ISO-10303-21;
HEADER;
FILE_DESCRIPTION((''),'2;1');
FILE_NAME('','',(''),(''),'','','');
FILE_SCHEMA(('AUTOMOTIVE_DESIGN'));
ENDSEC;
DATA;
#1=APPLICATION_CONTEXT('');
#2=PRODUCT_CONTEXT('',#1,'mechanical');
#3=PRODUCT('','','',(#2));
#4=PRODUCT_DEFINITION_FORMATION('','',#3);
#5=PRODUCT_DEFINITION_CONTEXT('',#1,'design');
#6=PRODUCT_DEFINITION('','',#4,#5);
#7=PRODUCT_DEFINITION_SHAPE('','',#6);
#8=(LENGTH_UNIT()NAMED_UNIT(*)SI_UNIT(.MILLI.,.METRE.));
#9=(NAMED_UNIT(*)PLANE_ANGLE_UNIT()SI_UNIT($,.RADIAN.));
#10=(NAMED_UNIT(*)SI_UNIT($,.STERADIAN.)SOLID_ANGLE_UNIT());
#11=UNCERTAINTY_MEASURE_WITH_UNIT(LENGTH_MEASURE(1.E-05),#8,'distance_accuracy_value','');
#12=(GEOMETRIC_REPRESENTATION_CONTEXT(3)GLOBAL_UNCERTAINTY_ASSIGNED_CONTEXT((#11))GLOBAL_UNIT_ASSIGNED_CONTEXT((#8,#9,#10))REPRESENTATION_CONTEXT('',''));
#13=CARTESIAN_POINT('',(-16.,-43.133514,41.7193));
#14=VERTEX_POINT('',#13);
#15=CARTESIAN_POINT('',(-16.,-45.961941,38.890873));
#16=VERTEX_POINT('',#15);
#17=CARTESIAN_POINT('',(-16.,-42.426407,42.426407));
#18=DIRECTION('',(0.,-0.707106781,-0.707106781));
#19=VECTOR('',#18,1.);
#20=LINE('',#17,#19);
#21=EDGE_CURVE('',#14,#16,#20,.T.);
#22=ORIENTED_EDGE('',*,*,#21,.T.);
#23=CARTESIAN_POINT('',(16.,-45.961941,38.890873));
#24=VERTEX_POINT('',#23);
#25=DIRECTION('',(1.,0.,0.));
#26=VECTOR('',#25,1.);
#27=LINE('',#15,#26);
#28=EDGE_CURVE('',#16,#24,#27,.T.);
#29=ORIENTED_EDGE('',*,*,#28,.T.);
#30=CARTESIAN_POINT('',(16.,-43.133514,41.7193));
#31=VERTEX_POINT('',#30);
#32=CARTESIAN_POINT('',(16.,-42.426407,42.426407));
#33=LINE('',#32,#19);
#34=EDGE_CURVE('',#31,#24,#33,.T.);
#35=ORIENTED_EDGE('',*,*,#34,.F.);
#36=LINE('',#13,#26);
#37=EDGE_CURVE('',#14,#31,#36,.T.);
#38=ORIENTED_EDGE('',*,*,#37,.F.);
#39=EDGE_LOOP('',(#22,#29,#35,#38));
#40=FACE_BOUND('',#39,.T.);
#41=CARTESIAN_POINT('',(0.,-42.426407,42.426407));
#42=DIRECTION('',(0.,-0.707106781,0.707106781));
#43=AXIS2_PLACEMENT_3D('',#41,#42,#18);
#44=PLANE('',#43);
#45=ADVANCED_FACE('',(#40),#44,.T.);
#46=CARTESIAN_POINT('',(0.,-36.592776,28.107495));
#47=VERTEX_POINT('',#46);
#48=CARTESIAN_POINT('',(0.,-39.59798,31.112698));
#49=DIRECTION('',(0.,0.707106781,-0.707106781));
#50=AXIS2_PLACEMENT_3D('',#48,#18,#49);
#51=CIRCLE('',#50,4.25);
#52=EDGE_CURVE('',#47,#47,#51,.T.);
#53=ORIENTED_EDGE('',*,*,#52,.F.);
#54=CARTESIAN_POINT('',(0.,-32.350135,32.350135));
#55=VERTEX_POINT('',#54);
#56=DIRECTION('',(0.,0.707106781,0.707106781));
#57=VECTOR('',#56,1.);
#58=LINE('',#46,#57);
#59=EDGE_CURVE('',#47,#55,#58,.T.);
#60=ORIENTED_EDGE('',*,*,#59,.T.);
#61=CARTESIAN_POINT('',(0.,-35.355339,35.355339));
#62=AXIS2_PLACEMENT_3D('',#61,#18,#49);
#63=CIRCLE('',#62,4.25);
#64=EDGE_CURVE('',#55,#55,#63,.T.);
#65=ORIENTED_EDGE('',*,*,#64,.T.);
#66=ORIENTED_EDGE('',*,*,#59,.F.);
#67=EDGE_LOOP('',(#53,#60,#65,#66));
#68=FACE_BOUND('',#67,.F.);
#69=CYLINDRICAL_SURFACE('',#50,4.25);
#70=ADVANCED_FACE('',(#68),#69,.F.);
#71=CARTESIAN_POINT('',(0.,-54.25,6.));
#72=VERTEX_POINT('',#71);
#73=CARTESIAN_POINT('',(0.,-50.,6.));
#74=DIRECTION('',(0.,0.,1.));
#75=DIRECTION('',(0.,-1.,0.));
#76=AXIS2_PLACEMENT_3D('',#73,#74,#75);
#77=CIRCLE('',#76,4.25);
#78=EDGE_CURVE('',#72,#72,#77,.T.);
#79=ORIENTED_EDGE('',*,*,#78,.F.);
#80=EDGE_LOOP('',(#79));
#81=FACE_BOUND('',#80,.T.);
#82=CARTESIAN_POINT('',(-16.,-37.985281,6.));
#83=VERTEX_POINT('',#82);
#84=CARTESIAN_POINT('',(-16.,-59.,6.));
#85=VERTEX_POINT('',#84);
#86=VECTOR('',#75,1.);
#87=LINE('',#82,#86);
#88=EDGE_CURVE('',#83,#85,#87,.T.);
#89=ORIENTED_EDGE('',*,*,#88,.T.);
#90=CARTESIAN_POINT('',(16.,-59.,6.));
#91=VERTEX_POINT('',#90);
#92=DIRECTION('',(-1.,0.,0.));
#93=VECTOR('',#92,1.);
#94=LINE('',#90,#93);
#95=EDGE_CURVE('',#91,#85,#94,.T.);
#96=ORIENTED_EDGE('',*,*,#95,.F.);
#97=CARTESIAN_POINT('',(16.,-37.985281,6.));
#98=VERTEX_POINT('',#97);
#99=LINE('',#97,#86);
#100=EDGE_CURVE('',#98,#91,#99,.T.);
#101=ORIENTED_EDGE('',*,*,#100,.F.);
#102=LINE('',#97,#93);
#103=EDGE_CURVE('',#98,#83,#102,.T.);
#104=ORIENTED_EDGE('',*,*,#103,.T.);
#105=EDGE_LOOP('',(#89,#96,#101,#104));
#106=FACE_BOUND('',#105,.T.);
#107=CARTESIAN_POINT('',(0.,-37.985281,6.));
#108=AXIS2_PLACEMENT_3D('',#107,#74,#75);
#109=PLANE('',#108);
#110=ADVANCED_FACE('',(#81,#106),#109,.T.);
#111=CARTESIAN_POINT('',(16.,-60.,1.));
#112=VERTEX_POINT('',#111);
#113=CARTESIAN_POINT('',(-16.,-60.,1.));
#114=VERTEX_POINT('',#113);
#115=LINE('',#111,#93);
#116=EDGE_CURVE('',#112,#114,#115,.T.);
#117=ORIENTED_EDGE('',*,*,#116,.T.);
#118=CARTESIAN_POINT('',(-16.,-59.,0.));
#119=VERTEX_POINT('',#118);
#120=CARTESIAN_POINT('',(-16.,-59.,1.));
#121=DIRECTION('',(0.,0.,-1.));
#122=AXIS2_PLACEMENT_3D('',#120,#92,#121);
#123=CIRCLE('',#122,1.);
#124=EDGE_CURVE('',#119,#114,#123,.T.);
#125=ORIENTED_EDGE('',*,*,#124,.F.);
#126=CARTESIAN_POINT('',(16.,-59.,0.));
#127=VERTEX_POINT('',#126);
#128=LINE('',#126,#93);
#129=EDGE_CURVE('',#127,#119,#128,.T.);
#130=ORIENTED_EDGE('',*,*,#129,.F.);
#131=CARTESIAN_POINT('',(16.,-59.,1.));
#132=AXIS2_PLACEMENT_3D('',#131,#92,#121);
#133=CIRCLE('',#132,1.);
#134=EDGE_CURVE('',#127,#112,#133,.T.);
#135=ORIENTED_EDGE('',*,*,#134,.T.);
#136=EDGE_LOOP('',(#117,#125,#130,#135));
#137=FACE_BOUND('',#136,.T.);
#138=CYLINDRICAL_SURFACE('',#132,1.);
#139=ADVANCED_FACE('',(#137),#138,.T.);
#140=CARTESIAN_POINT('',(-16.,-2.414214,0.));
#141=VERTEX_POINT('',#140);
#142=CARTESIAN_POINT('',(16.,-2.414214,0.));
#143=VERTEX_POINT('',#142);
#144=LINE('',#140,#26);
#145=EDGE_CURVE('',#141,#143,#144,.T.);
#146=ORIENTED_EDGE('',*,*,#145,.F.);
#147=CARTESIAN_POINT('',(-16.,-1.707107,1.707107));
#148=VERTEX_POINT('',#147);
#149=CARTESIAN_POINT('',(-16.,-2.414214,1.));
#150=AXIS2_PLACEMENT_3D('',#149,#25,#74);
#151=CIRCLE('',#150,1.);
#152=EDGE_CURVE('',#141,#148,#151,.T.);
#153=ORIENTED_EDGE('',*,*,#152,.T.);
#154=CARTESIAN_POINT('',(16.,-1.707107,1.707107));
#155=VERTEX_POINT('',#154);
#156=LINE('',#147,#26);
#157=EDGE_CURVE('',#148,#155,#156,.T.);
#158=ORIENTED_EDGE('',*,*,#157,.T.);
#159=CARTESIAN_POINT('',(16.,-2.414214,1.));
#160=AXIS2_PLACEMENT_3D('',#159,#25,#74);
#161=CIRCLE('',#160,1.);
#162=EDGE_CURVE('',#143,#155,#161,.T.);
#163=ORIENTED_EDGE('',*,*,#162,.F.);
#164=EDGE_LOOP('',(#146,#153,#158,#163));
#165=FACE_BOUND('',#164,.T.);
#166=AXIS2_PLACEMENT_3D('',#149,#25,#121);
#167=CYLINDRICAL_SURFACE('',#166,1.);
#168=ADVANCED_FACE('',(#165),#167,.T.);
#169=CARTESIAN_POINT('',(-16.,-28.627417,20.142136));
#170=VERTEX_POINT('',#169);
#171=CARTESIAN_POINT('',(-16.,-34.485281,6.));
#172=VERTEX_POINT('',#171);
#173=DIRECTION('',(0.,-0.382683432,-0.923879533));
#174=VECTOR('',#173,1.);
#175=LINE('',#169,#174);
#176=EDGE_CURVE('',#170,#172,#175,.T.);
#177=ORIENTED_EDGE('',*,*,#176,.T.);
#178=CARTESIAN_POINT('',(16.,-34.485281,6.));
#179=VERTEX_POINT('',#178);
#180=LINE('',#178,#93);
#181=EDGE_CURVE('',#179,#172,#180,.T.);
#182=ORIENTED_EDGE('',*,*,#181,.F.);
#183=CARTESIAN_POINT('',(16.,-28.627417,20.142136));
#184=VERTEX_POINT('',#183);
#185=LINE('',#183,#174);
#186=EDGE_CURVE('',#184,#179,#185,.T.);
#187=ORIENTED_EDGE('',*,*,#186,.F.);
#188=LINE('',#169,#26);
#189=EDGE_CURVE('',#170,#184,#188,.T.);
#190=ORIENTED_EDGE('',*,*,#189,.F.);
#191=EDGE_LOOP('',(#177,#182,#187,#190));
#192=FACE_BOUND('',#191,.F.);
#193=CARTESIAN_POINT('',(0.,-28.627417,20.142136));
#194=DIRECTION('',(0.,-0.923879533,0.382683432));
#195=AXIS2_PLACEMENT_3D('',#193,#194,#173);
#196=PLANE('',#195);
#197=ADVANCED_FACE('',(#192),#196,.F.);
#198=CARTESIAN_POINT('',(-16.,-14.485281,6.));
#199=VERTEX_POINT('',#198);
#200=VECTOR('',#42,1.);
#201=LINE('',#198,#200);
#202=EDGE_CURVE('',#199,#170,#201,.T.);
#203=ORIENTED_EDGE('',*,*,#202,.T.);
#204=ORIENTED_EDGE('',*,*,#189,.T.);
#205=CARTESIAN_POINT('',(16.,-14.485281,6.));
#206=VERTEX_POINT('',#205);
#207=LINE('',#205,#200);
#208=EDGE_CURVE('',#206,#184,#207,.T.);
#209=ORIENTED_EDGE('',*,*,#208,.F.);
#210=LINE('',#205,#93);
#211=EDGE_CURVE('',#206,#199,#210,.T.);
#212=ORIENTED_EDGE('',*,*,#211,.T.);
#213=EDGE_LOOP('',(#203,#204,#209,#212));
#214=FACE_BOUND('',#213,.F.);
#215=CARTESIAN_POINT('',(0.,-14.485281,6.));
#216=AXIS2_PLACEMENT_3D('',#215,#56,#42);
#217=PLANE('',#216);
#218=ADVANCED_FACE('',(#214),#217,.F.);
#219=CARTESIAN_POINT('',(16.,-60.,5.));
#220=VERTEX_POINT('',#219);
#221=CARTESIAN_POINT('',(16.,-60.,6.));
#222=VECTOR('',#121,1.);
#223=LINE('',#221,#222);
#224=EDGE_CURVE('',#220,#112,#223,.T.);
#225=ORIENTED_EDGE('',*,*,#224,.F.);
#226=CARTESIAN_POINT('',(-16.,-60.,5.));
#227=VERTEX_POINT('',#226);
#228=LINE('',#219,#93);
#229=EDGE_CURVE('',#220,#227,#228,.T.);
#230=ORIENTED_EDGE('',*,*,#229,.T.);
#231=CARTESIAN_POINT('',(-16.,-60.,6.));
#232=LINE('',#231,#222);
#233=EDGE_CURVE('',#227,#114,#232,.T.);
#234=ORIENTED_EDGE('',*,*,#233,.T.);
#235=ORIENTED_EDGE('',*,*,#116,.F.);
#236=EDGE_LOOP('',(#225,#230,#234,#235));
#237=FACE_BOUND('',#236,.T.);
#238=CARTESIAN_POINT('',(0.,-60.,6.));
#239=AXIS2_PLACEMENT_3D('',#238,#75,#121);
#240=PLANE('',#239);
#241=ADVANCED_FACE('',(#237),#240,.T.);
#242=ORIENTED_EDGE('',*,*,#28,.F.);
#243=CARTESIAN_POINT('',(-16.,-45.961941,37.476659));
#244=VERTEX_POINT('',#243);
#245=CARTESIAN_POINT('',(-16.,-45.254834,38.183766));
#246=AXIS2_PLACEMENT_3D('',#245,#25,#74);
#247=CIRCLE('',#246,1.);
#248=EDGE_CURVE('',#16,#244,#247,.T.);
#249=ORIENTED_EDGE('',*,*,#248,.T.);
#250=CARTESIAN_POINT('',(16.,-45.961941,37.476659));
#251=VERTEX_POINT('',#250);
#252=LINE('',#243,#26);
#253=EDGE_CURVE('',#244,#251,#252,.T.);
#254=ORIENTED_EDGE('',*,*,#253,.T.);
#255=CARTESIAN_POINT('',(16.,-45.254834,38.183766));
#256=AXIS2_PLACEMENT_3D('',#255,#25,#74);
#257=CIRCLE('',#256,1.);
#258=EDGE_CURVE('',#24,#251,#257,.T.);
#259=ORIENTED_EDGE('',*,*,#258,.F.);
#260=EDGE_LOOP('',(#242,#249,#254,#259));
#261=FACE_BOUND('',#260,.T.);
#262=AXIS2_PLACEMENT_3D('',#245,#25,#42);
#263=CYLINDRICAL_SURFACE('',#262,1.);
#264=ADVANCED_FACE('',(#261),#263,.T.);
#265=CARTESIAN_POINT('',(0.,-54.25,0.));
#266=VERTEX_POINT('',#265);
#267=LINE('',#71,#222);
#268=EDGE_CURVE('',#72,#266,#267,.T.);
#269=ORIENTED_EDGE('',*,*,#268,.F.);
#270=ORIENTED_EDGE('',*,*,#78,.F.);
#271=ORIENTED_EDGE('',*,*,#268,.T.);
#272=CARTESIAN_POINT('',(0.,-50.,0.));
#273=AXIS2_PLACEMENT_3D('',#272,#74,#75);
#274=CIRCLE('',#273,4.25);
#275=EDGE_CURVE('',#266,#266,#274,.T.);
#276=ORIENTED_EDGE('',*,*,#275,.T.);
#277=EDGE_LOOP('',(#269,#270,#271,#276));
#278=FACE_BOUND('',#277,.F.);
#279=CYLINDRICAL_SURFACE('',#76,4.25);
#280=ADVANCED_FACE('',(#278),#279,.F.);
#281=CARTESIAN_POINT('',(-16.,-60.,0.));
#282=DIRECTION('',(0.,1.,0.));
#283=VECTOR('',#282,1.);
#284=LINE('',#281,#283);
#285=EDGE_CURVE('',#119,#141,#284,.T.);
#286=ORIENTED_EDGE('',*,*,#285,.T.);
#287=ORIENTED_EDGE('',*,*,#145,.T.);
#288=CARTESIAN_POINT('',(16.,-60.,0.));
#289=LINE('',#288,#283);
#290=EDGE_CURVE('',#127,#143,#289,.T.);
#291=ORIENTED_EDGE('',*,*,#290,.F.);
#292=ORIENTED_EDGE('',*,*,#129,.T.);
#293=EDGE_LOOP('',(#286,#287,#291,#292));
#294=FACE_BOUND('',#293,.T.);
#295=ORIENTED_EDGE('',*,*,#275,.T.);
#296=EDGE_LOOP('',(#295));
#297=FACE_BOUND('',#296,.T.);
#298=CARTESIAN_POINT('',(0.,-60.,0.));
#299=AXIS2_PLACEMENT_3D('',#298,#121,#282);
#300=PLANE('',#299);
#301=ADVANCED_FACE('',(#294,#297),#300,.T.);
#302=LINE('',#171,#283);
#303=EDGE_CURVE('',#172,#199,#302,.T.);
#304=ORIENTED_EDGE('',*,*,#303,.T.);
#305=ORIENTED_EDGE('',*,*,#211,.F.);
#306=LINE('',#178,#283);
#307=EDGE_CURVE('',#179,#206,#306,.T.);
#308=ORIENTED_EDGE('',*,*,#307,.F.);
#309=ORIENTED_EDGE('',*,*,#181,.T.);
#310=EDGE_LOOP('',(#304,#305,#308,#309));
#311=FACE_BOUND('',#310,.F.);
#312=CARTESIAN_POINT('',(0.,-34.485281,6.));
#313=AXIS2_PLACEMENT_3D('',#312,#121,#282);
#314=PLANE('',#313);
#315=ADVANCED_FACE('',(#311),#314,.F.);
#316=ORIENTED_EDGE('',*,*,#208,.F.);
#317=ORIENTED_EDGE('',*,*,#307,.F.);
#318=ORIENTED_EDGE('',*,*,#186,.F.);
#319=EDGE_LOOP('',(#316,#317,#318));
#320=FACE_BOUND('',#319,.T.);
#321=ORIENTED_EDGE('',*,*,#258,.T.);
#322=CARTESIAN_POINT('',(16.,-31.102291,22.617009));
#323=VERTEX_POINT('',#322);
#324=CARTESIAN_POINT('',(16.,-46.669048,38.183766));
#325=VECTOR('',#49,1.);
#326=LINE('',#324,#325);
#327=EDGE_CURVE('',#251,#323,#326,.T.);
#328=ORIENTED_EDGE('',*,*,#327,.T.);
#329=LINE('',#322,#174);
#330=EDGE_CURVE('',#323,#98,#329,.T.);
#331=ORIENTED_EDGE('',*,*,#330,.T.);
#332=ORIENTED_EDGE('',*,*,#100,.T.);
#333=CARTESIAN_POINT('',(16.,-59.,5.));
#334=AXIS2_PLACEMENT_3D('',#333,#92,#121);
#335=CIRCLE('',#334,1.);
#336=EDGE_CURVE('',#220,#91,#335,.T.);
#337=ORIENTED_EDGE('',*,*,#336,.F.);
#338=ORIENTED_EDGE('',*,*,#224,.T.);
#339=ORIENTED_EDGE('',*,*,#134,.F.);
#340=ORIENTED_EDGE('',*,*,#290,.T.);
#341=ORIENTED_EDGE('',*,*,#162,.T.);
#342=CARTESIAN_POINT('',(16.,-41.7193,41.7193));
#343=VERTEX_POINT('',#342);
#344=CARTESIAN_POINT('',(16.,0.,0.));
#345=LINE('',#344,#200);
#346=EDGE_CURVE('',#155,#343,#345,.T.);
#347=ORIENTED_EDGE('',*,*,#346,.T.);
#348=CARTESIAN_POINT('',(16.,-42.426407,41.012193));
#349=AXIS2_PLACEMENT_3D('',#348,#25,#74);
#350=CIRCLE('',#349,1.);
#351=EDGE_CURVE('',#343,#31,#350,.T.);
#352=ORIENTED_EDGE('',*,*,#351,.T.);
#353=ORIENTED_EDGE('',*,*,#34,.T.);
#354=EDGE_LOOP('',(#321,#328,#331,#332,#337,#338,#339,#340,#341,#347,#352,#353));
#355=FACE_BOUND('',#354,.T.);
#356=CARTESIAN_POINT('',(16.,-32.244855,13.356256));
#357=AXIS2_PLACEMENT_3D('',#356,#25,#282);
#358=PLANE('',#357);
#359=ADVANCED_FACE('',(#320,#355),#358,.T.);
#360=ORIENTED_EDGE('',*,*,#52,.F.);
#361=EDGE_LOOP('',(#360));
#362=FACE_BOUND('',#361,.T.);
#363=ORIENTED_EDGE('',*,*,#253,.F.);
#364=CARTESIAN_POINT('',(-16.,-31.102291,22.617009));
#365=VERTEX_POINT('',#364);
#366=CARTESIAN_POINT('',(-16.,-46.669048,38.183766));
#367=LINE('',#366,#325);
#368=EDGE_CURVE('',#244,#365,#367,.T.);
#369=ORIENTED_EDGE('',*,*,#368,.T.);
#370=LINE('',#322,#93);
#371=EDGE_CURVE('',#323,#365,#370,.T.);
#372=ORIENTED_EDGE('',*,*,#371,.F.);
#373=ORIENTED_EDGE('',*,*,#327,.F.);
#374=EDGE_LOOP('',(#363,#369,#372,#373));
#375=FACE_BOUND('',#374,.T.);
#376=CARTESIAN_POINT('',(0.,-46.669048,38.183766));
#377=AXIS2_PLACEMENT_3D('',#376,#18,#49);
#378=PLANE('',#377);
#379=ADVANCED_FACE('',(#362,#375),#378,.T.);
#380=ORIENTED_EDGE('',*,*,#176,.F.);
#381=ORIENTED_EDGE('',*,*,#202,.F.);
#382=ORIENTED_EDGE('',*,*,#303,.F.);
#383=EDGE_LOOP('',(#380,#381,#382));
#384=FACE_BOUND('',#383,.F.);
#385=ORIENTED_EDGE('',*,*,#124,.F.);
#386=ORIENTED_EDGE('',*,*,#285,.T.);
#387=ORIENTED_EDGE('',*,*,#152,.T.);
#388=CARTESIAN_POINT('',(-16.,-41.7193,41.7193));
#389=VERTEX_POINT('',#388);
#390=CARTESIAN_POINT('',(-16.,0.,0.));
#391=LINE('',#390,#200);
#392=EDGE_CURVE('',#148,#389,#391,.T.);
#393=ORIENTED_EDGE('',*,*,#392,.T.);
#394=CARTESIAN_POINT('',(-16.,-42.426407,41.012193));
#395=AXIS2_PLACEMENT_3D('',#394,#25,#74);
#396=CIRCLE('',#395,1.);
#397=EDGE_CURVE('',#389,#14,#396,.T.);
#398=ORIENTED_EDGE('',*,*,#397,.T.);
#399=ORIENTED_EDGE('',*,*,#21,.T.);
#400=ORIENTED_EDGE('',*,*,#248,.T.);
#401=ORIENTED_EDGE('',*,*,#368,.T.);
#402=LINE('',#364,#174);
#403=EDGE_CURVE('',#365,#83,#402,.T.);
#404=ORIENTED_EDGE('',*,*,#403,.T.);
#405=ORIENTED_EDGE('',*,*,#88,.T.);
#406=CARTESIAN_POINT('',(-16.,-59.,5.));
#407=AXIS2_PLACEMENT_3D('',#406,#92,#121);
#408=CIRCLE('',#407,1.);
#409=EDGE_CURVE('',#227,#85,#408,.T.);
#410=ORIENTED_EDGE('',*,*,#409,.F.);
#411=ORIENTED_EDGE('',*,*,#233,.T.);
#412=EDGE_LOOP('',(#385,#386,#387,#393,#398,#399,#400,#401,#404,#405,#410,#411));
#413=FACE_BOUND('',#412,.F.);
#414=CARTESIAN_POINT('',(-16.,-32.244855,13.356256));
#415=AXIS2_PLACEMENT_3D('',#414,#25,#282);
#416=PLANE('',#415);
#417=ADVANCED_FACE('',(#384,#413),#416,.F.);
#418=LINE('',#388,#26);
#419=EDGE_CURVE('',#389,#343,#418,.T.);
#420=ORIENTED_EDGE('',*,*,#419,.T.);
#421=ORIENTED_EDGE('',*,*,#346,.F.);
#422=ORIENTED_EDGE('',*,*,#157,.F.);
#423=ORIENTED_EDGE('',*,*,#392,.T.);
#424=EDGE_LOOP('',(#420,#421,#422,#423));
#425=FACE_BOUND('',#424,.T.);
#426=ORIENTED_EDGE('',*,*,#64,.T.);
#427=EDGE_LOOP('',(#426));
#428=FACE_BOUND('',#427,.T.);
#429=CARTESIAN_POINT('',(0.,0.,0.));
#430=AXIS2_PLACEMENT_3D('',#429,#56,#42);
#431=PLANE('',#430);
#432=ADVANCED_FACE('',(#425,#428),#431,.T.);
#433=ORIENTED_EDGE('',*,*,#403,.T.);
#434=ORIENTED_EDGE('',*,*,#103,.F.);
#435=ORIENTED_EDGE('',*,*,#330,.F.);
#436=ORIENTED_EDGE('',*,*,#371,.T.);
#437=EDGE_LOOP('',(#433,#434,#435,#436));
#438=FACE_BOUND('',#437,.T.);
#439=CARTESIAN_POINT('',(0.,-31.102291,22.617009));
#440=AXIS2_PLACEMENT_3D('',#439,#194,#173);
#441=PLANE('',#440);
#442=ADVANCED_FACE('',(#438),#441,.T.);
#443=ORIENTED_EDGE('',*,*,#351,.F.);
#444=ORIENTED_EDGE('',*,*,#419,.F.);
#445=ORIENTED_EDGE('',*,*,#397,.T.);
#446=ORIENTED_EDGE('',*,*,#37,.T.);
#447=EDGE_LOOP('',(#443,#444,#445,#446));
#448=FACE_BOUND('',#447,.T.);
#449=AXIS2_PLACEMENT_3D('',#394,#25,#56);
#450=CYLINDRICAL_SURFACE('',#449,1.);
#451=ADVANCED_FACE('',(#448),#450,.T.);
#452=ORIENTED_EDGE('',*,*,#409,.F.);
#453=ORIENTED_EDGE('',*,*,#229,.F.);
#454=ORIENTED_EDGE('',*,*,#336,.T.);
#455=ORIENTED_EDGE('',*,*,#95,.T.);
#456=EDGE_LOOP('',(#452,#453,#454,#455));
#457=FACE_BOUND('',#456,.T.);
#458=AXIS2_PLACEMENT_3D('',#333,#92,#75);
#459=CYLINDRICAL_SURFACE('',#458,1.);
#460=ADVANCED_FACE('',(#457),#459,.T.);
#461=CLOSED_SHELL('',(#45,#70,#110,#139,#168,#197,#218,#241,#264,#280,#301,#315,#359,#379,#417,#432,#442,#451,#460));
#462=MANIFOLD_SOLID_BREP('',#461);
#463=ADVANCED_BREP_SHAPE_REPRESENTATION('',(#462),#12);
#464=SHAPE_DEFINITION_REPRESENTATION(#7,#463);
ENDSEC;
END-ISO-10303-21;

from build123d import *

# Parameters (mm, degrees)
PAD_DEPTH       = 16
SKETCH001_R     = 4.25
POCKET_DEPTH    = 6
SKETCH002_R     = 4.25
POCKET001_DEPTH = 6
FILLET_R        = 1


with BuildPart() as part:
    # Sketch → Pad (new body, symmetric)
    with BuildSketch(Plane.YZ):
        Polygon((-60, 0), (0, 0), (-42.4264068712, 42.4264068712), (-46.6690475583, 38.1837661841), (-31.1022907321, 22.6170093579), (-37.9852813742, 6), (-60, 6), align=None)
        Polygon((-28.627416998, 20.1421356237), (-34.4852813742, 6), (-14.4852813742, 6), align=None, mode=Mode.SUBTRACT)
    extrude(amount=PAD_DEPTH, both=True)

    # Sketch001 (on Face6 of Pad) → Pocket (cut)
    with BuildSketch(Plane(origin=(0, 0, 6), x_dir=(0, -1, 0), z_dir=(0, 0, 1))):
        with Locations((50, 0)):
            Circle(SKETCH001_R)
    extrude(amount=-POCKET_DEPTH, mode=Mode.SUBTRACT)

    # Sketch002 (on Face9 of Pocket) → Pocket001 (cut)
    with BuildSketch(Plane(origin=(0, -4.2426406871, -4.2426406871), x_dir=(0, 0.7071067812, -0.7071067812), z_dir=(0, -0.7071067812, -0.7071067812))):
        with Locations((-50, 0)):
            Circle(SKETCH002_R)
    extrude(amount=-POCKET001_DEPTH, mode=Mode.SUBTRACT)

    # Fillet
    fillet_edges = [part.edges().sort_by_distance(p)[0] for p in [
        (0, 0, 0),
        (0, -60, 0),
        (0, -60, 6),
        (0, -46.669048, 38.183766),
        (0, -42.426407, 42.426407),
    ]]
    fillet(fillet_edges, radius=FILLET_R)


solid = part.part
